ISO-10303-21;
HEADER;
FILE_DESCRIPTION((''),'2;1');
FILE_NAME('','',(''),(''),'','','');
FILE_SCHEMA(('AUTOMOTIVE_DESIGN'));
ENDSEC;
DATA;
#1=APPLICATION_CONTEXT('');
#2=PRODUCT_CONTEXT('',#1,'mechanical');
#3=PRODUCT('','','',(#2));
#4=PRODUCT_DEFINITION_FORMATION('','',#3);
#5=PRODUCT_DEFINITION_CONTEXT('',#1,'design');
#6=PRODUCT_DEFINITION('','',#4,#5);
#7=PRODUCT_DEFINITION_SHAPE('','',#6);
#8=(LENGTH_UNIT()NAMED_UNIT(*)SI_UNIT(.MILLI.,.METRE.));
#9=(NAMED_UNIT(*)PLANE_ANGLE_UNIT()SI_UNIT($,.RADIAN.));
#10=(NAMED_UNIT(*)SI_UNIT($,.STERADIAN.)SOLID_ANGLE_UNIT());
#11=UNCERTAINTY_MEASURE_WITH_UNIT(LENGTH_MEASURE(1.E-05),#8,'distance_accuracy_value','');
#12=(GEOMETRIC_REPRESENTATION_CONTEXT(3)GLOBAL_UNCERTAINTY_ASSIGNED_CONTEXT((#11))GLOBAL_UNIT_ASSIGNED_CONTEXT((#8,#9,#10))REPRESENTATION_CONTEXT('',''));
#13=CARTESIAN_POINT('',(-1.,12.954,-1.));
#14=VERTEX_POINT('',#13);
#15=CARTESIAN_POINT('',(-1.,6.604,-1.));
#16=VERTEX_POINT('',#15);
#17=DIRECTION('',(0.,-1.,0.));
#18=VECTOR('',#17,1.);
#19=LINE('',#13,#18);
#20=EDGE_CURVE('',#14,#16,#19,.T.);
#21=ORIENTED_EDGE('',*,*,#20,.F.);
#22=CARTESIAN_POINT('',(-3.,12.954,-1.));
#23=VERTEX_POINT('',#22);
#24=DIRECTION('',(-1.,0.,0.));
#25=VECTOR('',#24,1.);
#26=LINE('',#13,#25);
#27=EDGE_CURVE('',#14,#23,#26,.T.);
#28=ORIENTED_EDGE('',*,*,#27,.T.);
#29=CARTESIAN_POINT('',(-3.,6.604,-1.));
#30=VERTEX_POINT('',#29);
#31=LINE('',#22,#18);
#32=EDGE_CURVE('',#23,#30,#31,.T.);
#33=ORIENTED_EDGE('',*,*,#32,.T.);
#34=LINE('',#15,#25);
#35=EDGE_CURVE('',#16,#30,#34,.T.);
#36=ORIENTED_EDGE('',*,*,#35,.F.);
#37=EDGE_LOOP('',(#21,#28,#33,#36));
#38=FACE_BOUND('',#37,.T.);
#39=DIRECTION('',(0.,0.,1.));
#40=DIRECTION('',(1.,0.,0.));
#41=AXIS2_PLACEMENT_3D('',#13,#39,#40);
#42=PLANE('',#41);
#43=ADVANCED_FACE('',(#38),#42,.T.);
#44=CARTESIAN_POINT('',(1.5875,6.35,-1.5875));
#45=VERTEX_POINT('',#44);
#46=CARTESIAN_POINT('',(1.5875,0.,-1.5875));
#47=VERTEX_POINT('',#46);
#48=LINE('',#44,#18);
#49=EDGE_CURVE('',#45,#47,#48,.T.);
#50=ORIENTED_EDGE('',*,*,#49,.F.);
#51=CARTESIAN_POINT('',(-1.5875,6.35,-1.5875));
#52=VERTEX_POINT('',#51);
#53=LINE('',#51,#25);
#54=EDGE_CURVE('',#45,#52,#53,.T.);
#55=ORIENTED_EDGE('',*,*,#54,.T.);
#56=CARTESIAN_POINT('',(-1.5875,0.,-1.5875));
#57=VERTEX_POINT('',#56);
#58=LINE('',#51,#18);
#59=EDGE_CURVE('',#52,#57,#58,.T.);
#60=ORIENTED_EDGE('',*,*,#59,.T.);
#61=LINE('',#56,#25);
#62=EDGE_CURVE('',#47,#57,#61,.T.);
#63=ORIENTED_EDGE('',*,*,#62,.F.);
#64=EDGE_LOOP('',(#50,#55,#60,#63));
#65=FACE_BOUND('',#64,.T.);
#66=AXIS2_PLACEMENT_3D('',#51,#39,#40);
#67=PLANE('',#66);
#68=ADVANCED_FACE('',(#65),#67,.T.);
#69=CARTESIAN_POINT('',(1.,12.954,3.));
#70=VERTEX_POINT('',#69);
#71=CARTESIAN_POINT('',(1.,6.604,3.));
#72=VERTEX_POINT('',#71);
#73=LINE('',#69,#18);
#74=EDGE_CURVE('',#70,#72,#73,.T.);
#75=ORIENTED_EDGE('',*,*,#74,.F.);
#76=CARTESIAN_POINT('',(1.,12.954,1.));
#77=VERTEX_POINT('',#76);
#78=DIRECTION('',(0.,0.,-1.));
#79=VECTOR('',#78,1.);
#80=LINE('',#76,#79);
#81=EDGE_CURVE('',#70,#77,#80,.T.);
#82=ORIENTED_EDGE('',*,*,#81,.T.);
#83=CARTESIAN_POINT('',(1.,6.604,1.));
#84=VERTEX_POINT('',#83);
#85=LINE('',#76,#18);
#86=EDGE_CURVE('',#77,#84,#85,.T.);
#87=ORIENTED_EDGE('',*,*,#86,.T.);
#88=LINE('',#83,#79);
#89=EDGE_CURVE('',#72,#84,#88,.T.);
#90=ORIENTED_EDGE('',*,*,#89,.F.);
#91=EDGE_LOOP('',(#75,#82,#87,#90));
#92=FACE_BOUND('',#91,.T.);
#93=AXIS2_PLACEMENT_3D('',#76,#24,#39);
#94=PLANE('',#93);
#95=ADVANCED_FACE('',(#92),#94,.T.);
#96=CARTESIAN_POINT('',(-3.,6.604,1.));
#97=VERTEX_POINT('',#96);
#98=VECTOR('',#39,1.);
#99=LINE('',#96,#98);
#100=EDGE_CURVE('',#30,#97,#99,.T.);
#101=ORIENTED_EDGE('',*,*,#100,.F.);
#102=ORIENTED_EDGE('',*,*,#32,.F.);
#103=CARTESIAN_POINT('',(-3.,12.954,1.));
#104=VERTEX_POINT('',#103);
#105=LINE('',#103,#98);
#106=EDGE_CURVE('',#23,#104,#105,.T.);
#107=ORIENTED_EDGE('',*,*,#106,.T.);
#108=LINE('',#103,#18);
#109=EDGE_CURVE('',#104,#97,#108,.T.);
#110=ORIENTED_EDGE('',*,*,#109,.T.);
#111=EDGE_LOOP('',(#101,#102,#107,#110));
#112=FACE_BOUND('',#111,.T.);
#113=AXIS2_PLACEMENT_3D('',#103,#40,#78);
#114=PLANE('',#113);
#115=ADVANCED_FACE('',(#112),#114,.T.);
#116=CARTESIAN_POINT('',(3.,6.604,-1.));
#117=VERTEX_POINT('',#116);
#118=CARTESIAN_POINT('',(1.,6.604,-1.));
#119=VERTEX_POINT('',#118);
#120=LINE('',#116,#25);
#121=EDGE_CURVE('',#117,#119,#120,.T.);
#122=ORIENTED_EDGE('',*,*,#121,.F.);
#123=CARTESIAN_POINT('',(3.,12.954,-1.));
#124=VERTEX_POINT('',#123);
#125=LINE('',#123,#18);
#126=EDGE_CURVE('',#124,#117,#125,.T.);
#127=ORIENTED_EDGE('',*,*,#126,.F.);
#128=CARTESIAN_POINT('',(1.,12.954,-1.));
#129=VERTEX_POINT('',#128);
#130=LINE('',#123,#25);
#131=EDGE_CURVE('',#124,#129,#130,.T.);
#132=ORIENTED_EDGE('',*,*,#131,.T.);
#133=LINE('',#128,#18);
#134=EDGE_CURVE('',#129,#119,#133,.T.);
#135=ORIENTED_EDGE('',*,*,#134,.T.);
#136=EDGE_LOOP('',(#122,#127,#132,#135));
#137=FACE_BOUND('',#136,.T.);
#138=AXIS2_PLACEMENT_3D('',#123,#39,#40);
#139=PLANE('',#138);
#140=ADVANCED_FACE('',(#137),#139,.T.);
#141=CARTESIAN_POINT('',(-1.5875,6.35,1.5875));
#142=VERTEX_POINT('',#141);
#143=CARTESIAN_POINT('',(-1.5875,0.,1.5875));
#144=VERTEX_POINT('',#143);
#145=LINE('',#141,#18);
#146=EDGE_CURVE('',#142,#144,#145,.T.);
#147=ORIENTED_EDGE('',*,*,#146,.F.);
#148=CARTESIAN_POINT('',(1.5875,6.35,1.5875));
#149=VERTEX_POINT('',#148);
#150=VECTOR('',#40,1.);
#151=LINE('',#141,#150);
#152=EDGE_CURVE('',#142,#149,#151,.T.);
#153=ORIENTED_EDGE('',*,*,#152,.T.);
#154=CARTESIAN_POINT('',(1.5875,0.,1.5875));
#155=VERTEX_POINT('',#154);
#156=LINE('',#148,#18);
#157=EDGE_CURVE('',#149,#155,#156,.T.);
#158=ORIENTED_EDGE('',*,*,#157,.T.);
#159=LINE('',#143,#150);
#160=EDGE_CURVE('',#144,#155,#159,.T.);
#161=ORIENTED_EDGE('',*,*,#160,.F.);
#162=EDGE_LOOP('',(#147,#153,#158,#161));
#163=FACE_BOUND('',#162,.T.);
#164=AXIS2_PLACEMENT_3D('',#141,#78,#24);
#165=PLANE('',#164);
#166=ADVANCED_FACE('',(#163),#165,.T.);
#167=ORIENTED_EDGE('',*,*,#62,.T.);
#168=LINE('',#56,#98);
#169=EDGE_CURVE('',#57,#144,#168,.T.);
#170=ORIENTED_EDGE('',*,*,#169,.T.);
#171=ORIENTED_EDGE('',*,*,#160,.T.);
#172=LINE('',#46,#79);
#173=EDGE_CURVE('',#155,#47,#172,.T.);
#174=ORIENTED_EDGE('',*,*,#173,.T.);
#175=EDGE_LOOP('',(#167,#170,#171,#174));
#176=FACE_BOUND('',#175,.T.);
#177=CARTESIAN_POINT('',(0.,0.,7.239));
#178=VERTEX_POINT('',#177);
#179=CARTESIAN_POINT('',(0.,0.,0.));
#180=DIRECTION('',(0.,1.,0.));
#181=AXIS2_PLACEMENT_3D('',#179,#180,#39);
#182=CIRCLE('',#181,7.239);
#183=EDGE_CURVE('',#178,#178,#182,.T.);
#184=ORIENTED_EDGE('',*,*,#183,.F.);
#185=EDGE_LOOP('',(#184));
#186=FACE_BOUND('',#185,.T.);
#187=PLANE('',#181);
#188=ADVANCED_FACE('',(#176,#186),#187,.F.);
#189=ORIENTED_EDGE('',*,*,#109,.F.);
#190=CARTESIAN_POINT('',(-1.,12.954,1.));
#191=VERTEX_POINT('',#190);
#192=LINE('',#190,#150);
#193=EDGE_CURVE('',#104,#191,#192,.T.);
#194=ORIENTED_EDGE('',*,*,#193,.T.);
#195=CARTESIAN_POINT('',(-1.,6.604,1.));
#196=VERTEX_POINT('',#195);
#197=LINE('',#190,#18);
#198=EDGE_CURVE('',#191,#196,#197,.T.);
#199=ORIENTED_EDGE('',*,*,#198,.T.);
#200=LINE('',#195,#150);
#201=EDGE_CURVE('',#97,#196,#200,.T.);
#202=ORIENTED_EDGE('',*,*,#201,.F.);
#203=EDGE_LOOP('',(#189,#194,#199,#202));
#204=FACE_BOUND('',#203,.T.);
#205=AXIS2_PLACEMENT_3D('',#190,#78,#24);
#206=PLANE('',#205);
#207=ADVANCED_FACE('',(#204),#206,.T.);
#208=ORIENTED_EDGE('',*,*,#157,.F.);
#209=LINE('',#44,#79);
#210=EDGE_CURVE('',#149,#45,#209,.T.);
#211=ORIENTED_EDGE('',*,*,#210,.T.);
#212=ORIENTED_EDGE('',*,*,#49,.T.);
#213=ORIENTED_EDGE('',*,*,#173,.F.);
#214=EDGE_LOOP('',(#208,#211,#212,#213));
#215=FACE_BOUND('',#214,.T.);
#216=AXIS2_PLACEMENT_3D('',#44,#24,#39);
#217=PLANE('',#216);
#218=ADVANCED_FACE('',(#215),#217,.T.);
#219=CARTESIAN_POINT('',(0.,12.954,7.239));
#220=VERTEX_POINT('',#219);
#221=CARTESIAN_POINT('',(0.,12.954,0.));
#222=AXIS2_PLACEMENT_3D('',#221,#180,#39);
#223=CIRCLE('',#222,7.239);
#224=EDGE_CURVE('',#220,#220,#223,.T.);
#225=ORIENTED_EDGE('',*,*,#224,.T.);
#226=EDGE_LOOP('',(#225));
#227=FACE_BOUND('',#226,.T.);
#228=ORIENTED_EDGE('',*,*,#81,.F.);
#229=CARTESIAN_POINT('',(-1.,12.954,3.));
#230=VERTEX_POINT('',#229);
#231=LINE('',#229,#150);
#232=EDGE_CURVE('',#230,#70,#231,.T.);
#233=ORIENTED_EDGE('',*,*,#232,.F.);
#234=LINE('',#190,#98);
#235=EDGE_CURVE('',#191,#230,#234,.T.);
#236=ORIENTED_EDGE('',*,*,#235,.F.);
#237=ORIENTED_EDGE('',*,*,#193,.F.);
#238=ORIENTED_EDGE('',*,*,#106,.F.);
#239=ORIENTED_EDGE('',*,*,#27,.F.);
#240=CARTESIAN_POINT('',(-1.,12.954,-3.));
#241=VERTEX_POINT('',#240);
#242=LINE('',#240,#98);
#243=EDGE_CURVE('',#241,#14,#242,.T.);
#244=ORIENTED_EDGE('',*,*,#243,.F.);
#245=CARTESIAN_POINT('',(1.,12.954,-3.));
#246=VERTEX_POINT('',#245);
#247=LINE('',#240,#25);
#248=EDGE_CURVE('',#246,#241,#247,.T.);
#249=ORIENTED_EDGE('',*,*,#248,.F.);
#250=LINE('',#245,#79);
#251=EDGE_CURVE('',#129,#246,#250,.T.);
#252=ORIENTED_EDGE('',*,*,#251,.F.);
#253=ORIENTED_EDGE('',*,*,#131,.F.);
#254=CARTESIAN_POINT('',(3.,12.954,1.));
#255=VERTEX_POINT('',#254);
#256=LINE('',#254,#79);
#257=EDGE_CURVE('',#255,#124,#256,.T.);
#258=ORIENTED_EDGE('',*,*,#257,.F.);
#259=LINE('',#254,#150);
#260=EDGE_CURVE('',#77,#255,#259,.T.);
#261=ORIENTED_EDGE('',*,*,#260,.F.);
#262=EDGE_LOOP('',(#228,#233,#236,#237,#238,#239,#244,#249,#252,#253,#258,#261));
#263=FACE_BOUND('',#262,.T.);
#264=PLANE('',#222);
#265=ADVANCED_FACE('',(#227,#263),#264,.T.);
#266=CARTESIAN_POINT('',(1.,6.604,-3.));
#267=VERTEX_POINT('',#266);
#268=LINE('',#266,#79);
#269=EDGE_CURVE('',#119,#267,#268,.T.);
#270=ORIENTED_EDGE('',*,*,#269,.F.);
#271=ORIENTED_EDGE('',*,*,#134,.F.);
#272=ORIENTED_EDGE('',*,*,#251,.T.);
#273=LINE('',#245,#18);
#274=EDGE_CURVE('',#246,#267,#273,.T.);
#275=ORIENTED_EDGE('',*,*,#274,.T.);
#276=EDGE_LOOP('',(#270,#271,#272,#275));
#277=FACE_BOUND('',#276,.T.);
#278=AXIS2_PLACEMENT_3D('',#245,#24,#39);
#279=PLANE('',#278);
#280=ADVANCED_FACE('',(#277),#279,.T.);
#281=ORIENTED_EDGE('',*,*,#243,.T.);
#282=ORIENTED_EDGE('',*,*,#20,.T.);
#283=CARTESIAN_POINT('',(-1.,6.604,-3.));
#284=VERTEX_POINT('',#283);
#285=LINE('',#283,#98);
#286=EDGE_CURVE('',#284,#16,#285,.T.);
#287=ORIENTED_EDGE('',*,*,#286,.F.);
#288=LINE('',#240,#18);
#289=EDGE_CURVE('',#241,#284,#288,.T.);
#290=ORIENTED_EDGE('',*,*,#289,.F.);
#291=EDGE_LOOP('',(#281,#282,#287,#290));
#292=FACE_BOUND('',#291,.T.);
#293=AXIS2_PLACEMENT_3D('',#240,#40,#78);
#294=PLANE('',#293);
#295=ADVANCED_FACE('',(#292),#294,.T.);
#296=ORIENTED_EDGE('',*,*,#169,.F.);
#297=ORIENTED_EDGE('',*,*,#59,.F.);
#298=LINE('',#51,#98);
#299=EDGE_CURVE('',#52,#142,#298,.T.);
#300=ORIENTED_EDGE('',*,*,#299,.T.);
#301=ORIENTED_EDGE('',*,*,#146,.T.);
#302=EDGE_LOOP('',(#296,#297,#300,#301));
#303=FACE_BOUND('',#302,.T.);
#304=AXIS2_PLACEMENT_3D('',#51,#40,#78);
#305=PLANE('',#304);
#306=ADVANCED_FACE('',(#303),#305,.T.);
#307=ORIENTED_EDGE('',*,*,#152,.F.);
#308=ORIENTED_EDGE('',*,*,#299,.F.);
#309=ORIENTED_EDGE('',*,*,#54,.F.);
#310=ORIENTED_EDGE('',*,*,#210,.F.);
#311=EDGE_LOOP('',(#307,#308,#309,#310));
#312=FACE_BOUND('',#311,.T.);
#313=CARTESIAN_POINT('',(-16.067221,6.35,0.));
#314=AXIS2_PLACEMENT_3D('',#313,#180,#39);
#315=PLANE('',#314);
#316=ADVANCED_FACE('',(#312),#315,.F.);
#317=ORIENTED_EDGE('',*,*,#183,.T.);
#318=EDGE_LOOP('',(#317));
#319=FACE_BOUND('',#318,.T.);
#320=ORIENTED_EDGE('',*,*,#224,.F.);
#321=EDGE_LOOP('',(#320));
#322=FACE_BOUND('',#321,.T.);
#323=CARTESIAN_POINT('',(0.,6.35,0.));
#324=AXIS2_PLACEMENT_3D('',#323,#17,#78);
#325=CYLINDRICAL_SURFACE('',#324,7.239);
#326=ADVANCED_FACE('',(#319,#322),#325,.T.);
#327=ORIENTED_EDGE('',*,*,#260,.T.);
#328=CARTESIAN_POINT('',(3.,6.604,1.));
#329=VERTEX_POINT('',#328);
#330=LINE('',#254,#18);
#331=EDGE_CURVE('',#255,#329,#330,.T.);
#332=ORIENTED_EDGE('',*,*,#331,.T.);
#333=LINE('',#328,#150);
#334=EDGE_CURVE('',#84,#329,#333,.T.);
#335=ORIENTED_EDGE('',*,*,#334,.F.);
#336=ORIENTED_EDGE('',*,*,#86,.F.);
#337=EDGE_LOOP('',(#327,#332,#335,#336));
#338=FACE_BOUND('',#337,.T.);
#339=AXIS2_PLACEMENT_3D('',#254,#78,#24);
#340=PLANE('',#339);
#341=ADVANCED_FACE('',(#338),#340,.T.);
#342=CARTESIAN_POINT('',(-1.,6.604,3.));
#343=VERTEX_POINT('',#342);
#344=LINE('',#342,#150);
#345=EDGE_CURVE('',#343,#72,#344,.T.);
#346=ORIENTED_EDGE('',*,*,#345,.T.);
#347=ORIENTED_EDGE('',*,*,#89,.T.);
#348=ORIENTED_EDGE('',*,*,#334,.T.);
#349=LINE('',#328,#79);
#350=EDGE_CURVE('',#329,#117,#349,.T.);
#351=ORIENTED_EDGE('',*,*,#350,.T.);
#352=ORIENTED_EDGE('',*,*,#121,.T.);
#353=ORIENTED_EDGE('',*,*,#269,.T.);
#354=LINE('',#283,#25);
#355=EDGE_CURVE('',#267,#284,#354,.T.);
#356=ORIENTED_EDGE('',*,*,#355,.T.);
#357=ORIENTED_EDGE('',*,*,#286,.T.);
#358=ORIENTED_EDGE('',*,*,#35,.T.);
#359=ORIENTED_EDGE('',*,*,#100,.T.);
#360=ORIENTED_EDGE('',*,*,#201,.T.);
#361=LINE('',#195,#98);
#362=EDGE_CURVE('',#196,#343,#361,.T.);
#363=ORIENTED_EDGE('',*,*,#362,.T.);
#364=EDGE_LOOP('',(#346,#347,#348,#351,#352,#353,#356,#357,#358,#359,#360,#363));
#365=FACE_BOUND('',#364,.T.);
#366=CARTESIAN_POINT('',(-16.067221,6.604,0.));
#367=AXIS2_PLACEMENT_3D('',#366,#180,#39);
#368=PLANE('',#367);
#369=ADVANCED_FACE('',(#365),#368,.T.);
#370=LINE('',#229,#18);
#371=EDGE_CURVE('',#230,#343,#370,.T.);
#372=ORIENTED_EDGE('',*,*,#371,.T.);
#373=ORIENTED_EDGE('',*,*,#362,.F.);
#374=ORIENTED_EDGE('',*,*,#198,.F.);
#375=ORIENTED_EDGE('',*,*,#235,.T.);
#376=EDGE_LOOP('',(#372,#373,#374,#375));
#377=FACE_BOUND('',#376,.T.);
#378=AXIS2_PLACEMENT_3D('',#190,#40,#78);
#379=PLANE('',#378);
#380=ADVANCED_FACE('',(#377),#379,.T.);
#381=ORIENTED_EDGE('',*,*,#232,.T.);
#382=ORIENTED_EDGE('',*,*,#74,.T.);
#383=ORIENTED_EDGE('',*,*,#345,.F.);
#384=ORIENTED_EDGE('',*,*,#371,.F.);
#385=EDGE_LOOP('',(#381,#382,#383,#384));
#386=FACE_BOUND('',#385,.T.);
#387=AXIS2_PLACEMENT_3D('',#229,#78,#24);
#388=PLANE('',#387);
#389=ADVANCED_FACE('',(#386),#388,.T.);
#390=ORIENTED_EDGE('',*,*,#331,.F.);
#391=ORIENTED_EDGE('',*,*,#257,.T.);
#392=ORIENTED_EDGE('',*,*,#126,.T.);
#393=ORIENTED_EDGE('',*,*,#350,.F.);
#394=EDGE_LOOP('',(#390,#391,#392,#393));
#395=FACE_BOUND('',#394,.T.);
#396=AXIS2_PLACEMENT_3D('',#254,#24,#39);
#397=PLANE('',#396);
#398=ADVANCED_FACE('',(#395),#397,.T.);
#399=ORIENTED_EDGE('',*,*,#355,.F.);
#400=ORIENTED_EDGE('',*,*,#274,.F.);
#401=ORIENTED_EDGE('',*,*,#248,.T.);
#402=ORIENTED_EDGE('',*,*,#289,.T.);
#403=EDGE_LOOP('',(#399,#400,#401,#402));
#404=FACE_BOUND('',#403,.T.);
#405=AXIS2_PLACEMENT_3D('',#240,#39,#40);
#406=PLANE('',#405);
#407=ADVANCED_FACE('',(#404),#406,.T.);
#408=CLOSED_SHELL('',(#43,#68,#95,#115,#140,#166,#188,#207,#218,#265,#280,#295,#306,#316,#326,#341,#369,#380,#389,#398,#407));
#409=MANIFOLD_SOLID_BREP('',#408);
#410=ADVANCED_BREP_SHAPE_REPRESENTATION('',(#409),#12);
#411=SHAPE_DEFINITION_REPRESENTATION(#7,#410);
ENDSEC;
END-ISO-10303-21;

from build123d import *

# Parameters (mm, degrees)
SKETCH1_R           = 7.239
SKETCH1_W           = 3.175
SKETCH1_H           = 3.175
BOSS_EXTRUDE1_DEPTH = 6.35
SKETCH2_R           = 7.239
SKETCH2_W           = 3.175
SKETCH2_H           = 3.175
BOSS_EXTRUDE2_DEPTH = 0.254
SKETCH3_R           = 7.239
BOSS_EXTRUDE3_DEPTH = 6.35


with BuildPart() as part:
    # Sketch1 → Boss-Extrude1 (new body)
    with BuildSketch(Plane(origin=(0, 0, 0), x_dir=(1, 0, 0), z_dir=(0, 1, 0))):
        Circle(SKETCH1_R)
        Rectangle(SKETCH1_W, SKETCH1_H, mode=Mode.SUBTRACT)
    extrude(amount=BOSS_EXTRUDE1_DEPTH)

    # Sketch2 → Boss-Extrude2 (add)
    with BuildSketch(Plane(origin=(0, 6.35, 0), x_dir=(1, 0, 0), z_dir=(0, 1, 0))):
        Circle(SKETCH2_R)
        Rectangle(SKETCH2_W, SKETCH2_H, mode=Mode.SUBTRACT)
        Rectangle(SKETCH2_W, SKETCH2_H)
    extrude(amount=BOSS_EXTRUDE2_DEPTH)

    # Sketch3 → Boss-Extrude3 (add)
    with BuildSketch(Plane(origin=(0, 6.604, 0), x_dir=(1, 0, 0), z_dir=(0, 1, 0))):
        Circle(SKETCH3_R)
        Polygon((-1, -1), (-3, -1), (-3, 1), (-1, 1), (-1, 3), (1, 3), (1, 1), (3, 1), (3, -1), (1, -1), (1, -3), (-1, -3), align=None, mode=Mode.SUBTRACT)
    extrude(amount=BOSS_EXTRUDE3_DEPTH)


solid = part.part
